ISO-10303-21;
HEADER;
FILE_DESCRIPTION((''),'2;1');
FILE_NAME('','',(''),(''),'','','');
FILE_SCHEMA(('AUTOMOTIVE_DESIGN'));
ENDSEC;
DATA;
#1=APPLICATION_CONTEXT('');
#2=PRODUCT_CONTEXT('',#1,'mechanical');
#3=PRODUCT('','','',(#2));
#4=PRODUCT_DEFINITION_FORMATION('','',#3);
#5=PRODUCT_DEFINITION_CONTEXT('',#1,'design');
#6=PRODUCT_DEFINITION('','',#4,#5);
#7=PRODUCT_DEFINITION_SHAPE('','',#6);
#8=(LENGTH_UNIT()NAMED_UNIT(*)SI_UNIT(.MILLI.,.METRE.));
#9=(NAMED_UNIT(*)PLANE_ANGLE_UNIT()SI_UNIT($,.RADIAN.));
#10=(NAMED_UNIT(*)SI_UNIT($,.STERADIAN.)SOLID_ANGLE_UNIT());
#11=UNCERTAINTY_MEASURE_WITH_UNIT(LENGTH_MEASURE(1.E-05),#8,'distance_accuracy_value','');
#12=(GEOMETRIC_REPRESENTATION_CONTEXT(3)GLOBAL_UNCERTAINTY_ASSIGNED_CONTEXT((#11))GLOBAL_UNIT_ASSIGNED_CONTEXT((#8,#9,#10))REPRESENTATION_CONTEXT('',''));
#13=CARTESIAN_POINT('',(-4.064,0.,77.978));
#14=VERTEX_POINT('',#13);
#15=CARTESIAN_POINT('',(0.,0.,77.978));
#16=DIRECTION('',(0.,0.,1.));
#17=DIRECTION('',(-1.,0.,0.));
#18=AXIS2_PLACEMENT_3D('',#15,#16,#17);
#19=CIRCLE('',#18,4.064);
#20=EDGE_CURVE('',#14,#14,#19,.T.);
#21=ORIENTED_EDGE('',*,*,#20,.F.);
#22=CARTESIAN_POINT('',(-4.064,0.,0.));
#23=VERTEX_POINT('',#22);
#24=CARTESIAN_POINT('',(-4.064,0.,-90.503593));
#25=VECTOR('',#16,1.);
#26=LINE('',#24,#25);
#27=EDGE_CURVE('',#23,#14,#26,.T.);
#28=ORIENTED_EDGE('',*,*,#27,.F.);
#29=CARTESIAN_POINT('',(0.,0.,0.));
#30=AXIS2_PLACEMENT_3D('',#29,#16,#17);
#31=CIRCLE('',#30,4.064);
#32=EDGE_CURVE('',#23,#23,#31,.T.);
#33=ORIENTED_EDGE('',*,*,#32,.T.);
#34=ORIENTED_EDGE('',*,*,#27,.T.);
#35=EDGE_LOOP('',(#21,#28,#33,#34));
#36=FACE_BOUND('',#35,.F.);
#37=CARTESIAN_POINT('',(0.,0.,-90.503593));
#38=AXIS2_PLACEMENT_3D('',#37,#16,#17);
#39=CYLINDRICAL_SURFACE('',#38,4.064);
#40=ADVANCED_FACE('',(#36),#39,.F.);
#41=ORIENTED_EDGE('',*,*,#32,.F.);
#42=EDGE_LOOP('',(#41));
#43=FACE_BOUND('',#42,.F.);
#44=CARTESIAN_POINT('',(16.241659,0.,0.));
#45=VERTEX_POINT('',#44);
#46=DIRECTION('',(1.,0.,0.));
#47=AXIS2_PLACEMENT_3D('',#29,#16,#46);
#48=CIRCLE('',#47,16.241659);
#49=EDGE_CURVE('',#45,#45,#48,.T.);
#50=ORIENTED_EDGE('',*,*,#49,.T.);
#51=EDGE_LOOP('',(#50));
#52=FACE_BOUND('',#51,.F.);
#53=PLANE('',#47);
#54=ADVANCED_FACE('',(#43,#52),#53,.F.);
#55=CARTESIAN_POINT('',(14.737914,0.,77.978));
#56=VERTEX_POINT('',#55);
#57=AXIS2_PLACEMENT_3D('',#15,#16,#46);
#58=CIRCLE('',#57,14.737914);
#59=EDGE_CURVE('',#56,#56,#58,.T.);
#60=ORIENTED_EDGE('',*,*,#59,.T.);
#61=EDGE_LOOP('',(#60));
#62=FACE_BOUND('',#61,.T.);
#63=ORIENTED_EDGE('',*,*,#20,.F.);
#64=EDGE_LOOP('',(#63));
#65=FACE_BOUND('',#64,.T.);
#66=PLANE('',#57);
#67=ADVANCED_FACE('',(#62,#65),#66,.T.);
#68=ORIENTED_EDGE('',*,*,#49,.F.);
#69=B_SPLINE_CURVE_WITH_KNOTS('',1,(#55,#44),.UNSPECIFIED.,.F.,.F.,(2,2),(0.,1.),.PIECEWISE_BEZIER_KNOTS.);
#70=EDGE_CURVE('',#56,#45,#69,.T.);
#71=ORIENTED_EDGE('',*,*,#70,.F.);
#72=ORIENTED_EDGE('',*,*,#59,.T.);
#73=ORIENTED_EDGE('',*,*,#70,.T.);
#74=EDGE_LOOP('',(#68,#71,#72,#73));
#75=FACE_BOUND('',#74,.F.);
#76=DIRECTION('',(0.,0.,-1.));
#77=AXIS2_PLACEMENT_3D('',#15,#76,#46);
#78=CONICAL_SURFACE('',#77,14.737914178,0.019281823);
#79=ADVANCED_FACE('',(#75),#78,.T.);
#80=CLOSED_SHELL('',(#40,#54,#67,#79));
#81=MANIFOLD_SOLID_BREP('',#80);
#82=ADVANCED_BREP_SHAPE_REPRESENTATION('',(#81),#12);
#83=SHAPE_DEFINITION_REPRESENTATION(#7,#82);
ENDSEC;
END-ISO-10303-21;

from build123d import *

# Parameters (mm, degrees)
F2_R = 14.7379141784
F0_R = 16.2416585403
F4_D = 8.128


with BuildPart() as f3:
    # F2 (on offset) → F3 section 0
    with BuildSketch(Plane.XY.offset(77.978)):
        Circle(F2_R)
    # F0 (on Top) → F3 section 1
    with BuildSketch(Plane.XY):
        Circle(F0_R)
    loft()

    # F4 (through all)
    with Locations(Plane(origin=(0, 0, 0), x_dir=(1, 0, 0), z_dir=(0, 0, -1))):
        with Locations((0, 0)):
            Hole(F4_D / 2)


solid = f3.part
